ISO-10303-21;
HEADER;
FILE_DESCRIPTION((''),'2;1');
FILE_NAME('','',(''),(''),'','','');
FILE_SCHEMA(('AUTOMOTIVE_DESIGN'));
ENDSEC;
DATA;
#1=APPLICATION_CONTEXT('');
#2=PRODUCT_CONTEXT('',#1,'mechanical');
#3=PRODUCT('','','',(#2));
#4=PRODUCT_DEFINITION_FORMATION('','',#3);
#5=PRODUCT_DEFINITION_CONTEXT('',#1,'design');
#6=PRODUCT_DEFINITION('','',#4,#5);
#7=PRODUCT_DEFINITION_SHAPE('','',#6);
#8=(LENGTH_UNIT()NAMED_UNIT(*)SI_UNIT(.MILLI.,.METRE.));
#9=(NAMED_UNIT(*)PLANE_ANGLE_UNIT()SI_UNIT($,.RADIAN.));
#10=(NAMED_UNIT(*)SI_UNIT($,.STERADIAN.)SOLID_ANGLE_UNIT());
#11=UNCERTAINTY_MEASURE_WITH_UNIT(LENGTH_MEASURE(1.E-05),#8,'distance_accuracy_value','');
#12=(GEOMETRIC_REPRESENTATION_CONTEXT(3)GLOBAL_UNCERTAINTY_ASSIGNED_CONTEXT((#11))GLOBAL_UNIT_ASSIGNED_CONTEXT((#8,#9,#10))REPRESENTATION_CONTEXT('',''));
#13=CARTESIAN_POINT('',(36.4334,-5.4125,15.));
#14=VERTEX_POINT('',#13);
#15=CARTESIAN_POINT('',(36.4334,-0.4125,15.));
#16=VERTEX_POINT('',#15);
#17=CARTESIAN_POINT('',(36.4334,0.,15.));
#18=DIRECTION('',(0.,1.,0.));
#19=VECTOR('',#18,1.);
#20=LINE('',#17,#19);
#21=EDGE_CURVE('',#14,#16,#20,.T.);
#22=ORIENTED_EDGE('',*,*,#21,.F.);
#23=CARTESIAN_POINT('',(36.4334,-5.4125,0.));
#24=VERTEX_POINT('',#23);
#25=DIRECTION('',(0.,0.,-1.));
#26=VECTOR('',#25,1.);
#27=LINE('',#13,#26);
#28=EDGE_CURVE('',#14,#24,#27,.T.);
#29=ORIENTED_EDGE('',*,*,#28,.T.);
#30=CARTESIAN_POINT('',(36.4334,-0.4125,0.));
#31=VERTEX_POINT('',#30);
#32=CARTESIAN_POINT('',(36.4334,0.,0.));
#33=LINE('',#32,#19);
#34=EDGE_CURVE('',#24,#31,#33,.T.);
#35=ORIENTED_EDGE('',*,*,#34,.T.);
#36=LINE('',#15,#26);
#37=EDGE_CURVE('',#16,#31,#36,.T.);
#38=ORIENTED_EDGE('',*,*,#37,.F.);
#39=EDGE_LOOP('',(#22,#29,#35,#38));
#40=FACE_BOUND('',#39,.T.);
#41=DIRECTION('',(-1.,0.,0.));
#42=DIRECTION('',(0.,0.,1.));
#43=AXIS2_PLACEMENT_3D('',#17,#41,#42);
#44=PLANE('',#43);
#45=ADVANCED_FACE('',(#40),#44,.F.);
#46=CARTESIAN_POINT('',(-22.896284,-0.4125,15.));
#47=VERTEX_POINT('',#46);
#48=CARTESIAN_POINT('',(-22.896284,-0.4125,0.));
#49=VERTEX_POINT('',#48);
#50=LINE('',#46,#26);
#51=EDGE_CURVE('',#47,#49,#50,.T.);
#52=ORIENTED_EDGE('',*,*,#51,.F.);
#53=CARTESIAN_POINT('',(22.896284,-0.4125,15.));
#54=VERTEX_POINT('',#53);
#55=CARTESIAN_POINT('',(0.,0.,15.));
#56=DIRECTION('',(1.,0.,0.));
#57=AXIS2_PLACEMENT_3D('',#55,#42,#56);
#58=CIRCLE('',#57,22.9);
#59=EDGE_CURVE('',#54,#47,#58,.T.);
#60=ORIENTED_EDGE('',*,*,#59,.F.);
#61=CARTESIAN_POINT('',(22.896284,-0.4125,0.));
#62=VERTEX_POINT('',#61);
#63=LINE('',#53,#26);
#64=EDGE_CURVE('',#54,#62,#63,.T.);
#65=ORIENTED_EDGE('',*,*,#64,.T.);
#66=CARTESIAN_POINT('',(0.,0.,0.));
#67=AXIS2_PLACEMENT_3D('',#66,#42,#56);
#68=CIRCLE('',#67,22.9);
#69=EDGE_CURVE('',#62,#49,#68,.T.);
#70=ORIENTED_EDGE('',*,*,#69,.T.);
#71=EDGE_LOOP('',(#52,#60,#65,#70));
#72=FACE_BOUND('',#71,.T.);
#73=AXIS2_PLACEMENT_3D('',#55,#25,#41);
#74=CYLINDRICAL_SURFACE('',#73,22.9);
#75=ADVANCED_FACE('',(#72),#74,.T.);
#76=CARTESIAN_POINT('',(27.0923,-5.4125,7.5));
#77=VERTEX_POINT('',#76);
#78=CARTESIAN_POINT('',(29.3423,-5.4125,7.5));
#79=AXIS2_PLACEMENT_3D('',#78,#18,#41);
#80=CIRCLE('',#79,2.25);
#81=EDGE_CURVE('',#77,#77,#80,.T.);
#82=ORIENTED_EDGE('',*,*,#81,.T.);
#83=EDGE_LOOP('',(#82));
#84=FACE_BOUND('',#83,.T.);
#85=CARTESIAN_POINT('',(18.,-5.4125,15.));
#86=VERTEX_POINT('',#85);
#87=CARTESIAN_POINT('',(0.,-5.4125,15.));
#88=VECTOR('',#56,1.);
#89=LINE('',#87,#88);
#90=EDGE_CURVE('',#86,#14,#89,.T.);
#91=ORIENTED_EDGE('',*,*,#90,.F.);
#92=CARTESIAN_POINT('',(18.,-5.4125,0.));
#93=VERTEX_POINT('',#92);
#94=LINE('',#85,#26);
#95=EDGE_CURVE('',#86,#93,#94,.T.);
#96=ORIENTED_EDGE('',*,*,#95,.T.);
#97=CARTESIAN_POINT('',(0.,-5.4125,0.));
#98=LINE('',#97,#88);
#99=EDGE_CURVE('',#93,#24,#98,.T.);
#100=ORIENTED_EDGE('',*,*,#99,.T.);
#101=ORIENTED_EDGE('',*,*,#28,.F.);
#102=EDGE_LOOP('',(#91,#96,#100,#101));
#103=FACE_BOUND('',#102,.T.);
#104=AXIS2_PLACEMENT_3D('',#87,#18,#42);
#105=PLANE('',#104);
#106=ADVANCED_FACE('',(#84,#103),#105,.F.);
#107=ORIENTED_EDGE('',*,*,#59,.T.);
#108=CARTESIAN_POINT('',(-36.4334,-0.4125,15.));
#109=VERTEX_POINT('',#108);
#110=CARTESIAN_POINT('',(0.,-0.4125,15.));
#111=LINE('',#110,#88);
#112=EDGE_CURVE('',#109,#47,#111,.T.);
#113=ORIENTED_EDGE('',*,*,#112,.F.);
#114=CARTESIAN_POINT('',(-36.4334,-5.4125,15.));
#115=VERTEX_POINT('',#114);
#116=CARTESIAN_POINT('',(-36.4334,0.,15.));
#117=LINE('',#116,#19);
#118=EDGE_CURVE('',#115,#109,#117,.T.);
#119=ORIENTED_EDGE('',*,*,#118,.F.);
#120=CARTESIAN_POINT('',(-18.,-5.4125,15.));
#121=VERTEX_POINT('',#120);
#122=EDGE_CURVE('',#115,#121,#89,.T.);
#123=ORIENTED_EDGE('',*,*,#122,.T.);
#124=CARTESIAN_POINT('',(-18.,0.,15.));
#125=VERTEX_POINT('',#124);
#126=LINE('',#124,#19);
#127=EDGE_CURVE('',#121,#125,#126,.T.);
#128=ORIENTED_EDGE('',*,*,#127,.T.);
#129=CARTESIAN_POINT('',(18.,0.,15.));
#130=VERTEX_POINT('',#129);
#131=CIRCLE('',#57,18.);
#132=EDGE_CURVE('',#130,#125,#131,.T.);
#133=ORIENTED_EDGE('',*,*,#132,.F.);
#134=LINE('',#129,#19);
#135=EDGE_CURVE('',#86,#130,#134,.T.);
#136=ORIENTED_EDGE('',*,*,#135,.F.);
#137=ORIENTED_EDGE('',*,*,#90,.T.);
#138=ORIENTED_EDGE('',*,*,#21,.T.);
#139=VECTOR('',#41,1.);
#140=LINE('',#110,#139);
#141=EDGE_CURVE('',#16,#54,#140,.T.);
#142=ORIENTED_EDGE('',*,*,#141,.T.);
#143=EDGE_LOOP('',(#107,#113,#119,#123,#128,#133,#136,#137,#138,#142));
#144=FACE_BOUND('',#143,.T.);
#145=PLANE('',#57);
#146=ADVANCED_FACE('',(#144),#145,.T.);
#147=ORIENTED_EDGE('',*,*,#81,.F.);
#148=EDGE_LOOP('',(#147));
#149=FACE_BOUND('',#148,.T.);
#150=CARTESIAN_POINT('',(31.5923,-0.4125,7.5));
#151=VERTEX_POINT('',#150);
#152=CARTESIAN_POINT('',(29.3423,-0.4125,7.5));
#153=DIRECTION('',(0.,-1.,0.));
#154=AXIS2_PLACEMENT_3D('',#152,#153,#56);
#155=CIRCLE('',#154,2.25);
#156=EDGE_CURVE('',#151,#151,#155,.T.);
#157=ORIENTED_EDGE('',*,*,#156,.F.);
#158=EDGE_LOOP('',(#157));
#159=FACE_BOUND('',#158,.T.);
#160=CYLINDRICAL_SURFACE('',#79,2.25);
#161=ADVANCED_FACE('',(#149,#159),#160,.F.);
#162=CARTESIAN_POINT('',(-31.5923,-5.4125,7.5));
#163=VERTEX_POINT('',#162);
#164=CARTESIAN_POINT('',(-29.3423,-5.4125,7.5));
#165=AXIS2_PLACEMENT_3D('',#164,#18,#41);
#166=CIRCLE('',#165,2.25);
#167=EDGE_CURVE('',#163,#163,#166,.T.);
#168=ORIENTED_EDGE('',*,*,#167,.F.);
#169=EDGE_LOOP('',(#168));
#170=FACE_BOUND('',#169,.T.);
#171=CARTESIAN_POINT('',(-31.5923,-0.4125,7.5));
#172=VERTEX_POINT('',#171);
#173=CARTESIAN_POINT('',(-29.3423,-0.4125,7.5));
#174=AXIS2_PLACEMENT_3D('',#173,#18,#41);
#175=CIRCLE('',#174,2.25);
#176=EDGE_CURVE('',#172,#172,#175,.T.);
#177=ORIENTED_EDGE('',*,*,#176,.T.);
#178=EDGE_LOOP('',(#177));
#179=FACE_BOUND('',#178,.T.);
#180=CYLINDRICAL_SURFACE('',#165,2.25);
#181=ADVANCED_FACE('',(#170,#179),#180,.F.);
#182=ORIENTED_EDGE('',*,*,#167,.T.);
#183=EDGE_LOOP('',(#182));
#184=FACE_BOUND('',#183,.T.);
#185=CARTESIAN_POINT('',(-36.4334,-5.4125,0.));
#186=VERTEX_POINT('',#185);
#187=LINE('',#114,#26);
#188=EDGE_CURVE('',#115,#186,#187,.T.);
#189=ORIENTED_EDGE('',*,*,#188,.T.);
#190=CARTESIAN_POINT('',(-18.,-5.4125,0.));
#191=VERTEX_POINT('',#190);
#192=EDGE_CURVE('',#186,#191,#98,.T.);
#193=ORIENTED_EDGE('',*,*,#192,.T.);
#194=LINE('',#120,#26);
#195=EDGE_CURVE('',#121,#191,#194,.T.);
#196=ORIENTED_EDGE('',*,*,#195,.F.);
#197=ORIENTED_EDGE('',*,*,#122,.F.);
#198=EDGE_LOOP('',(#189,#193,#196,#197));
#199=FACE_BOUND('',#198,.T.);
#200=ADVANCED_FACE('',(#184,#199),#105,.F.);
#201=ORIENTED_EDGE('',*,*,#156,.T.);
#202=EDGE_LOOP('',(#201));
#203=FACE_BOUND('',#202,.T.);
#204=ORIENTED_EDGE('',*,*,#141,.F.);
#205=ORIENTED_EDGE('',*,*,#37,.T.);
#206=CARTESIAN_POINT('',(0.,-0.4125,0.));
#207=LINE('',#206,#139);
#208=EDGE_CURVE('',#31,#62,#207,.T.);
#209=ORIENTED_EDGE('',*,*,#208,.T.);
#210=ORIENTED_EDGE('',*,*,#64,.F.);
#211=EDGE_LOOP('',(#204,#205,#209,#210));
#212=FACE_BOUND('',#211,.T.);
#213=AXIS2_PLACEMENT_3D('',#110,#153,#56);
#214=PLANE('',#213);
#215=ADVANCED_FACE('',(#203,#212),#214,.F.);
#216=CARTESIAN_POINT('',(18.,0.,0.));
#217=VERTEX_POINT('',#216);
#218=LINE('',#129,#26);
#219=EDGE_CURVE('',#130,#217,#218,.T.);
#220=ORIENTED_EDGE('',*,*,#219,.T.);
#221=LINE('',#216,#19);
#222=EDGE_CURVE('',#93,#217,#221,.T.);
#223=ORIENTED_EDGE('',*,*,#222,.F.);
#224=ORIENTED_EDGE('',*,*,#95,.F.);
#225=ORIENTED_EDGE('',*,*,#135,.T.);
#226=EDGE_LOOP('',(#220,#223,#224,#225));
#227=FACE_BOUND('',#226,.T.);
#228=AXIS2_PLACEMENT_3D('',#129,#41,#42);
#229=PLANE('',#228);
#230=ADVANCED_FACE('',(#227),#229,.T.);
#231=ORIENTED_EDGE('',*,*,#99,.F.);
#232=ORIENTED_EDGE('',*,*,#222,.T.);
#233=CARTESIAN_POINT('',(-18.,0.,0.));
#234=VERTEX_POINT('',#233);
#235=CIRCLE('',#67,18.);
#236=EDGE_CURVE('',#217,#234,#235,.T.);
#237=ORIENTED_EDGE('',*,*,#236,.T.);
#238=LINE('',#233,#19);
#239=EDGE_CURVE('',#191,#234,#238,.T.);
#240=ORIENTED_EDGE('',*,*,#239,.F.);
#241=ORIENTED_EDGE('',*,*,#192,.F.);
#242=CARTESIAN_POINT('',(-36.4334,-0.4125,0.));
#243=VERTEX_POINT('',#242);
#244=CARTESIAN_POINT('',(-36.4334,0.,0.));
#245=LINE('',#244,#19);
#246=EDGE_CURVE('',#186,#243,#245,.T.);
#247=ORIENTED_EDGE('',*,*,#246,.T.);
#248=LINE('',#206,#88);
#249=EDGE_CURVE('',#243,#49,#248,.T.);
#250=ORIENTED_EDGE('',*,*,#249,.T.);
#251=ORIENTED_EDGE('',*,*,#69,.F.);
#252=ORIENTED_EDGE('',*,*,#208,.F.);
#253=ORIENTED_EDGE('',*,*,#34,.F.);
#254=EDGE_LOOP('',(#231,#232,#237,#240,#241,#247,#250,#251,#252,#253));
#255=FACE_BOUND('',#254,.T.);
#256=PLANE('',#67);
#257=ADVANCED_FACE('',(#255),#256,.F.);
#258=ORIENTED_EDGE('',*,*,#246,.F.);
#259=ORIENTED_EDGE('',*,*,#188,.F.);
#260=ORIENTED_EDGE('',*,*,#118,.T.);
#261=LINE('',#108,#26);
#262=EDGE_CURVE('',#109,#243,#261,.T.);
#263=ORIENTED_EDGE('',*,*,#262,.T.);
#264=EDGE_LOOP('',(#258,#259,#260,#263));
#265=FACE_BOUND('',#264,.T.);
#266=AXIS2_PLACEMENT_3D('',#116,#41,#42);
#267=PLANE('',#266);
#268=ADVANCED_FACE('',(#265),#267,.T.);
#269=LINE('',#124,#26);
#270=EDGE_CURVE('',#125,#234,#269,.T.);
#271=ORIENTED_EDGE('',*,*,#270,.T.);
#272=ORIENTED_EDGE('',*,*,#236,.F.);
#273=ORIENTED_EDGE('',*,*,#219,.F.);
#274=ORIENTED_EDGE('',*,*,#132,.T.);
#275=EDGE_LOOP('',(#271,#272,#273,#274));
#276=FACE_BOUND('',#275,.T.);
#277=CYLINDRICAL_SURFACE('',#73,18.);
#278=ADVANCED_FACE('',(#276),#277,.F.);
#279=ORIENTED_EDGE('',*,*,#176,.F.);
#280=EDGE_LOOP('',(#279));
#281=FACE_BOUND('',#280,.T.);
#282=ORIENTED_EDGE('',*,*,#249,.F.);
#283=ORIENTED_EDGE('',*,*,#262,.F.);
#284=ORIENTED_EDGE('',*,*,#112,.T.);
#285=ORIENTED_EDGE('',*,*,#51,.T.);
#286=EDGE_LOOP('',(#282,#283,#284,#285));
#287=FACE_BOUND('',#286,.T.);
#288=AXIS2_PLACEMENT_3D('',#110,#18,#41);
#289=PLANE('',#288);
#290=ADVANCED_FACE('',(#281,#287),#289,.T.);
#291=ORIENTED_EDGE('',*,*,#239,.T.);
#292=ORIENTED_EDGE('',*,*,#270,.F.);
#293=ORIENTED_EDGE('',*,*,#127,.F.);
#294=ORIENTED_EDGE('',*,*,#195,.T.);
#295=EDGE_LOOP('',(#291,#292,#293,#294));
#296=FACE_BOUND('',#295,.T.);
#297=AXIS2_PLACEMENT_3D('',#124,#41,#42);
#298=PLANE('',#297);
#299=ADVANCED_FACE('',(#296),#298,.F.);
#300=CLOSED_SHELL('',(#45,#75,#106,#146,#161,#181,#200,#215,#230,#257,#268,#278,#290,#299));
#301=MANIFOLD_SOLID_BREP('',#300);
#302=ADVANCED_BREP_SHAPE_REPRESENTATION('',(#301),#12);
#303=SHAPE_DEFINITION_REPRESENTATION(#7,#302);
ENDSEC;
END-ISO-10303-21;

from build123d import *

# Parameters (mm, degrees)
BOSS_EXTRUDE1_DEPTH     = 15
SKETCH5_R               = 2.25
CUT_EXTRUDE1_DEPTH      = 24.3125
CUT_EXTRUDE1_DEPTH_BACK = 6


with BuildPart() as part:
    # Sketch3 → Boss-Extrude1 (new body)
    with BuildSketch(Plane.XY):
        with BuildLine():
            Line((18, 0), (18, -5.4125))
            Line((18, -5.4125), (36.4334, -5.4125))
            Line((36.4334, -5.4125), (36.4334, -0.4125))
            Line((36.4334, -0.4125), (22.896284497, -0.4125))
            ThreePointArc((22.896284497, -0.4125), (0, 22.9), (-22.896284497, -0.4125))
            Line((-22.896284497, -0.4125), (-36.4334, -0.4125))
            Line((-36.4334, -0.4125), (-36.4334, -5.4125))
            Line((-36.4334, -5.4125), (-18, -5.4125))
            Line((-18, -5.4125), (-18, 0))
            ThreePointArc((-18, 0), (0, 18), (18, 0))
        make_face()
    extrude(amount=BOSS_EXTRUDE1_DEPTH)

    # Sketch5 → Cut-Extrude1 (cut, two sides)
    with BuildSketch(Plane(origin=(0, -0.4125, 0), x_dir=(1, 0, 0), z_dir=(0, 1, 0))) as cut_extrude1_sk:
        with Locations((-29.3423, -7.5)):
            Circle(SKETCH5_R)
        with Locations((29.3423, -7.5)):
            Circle(SKETCH5_R)
    extrude(amount=CUT_EXTRUDE1_DEPTH, mode=Mode.SUBTRACT)
    extrude(cut_extrude1_sk.sketch, amount=-CUT_EXTRUDE1_DEPTH_BACK, mode=Mode.SUBTRACT)


solid = part.part
